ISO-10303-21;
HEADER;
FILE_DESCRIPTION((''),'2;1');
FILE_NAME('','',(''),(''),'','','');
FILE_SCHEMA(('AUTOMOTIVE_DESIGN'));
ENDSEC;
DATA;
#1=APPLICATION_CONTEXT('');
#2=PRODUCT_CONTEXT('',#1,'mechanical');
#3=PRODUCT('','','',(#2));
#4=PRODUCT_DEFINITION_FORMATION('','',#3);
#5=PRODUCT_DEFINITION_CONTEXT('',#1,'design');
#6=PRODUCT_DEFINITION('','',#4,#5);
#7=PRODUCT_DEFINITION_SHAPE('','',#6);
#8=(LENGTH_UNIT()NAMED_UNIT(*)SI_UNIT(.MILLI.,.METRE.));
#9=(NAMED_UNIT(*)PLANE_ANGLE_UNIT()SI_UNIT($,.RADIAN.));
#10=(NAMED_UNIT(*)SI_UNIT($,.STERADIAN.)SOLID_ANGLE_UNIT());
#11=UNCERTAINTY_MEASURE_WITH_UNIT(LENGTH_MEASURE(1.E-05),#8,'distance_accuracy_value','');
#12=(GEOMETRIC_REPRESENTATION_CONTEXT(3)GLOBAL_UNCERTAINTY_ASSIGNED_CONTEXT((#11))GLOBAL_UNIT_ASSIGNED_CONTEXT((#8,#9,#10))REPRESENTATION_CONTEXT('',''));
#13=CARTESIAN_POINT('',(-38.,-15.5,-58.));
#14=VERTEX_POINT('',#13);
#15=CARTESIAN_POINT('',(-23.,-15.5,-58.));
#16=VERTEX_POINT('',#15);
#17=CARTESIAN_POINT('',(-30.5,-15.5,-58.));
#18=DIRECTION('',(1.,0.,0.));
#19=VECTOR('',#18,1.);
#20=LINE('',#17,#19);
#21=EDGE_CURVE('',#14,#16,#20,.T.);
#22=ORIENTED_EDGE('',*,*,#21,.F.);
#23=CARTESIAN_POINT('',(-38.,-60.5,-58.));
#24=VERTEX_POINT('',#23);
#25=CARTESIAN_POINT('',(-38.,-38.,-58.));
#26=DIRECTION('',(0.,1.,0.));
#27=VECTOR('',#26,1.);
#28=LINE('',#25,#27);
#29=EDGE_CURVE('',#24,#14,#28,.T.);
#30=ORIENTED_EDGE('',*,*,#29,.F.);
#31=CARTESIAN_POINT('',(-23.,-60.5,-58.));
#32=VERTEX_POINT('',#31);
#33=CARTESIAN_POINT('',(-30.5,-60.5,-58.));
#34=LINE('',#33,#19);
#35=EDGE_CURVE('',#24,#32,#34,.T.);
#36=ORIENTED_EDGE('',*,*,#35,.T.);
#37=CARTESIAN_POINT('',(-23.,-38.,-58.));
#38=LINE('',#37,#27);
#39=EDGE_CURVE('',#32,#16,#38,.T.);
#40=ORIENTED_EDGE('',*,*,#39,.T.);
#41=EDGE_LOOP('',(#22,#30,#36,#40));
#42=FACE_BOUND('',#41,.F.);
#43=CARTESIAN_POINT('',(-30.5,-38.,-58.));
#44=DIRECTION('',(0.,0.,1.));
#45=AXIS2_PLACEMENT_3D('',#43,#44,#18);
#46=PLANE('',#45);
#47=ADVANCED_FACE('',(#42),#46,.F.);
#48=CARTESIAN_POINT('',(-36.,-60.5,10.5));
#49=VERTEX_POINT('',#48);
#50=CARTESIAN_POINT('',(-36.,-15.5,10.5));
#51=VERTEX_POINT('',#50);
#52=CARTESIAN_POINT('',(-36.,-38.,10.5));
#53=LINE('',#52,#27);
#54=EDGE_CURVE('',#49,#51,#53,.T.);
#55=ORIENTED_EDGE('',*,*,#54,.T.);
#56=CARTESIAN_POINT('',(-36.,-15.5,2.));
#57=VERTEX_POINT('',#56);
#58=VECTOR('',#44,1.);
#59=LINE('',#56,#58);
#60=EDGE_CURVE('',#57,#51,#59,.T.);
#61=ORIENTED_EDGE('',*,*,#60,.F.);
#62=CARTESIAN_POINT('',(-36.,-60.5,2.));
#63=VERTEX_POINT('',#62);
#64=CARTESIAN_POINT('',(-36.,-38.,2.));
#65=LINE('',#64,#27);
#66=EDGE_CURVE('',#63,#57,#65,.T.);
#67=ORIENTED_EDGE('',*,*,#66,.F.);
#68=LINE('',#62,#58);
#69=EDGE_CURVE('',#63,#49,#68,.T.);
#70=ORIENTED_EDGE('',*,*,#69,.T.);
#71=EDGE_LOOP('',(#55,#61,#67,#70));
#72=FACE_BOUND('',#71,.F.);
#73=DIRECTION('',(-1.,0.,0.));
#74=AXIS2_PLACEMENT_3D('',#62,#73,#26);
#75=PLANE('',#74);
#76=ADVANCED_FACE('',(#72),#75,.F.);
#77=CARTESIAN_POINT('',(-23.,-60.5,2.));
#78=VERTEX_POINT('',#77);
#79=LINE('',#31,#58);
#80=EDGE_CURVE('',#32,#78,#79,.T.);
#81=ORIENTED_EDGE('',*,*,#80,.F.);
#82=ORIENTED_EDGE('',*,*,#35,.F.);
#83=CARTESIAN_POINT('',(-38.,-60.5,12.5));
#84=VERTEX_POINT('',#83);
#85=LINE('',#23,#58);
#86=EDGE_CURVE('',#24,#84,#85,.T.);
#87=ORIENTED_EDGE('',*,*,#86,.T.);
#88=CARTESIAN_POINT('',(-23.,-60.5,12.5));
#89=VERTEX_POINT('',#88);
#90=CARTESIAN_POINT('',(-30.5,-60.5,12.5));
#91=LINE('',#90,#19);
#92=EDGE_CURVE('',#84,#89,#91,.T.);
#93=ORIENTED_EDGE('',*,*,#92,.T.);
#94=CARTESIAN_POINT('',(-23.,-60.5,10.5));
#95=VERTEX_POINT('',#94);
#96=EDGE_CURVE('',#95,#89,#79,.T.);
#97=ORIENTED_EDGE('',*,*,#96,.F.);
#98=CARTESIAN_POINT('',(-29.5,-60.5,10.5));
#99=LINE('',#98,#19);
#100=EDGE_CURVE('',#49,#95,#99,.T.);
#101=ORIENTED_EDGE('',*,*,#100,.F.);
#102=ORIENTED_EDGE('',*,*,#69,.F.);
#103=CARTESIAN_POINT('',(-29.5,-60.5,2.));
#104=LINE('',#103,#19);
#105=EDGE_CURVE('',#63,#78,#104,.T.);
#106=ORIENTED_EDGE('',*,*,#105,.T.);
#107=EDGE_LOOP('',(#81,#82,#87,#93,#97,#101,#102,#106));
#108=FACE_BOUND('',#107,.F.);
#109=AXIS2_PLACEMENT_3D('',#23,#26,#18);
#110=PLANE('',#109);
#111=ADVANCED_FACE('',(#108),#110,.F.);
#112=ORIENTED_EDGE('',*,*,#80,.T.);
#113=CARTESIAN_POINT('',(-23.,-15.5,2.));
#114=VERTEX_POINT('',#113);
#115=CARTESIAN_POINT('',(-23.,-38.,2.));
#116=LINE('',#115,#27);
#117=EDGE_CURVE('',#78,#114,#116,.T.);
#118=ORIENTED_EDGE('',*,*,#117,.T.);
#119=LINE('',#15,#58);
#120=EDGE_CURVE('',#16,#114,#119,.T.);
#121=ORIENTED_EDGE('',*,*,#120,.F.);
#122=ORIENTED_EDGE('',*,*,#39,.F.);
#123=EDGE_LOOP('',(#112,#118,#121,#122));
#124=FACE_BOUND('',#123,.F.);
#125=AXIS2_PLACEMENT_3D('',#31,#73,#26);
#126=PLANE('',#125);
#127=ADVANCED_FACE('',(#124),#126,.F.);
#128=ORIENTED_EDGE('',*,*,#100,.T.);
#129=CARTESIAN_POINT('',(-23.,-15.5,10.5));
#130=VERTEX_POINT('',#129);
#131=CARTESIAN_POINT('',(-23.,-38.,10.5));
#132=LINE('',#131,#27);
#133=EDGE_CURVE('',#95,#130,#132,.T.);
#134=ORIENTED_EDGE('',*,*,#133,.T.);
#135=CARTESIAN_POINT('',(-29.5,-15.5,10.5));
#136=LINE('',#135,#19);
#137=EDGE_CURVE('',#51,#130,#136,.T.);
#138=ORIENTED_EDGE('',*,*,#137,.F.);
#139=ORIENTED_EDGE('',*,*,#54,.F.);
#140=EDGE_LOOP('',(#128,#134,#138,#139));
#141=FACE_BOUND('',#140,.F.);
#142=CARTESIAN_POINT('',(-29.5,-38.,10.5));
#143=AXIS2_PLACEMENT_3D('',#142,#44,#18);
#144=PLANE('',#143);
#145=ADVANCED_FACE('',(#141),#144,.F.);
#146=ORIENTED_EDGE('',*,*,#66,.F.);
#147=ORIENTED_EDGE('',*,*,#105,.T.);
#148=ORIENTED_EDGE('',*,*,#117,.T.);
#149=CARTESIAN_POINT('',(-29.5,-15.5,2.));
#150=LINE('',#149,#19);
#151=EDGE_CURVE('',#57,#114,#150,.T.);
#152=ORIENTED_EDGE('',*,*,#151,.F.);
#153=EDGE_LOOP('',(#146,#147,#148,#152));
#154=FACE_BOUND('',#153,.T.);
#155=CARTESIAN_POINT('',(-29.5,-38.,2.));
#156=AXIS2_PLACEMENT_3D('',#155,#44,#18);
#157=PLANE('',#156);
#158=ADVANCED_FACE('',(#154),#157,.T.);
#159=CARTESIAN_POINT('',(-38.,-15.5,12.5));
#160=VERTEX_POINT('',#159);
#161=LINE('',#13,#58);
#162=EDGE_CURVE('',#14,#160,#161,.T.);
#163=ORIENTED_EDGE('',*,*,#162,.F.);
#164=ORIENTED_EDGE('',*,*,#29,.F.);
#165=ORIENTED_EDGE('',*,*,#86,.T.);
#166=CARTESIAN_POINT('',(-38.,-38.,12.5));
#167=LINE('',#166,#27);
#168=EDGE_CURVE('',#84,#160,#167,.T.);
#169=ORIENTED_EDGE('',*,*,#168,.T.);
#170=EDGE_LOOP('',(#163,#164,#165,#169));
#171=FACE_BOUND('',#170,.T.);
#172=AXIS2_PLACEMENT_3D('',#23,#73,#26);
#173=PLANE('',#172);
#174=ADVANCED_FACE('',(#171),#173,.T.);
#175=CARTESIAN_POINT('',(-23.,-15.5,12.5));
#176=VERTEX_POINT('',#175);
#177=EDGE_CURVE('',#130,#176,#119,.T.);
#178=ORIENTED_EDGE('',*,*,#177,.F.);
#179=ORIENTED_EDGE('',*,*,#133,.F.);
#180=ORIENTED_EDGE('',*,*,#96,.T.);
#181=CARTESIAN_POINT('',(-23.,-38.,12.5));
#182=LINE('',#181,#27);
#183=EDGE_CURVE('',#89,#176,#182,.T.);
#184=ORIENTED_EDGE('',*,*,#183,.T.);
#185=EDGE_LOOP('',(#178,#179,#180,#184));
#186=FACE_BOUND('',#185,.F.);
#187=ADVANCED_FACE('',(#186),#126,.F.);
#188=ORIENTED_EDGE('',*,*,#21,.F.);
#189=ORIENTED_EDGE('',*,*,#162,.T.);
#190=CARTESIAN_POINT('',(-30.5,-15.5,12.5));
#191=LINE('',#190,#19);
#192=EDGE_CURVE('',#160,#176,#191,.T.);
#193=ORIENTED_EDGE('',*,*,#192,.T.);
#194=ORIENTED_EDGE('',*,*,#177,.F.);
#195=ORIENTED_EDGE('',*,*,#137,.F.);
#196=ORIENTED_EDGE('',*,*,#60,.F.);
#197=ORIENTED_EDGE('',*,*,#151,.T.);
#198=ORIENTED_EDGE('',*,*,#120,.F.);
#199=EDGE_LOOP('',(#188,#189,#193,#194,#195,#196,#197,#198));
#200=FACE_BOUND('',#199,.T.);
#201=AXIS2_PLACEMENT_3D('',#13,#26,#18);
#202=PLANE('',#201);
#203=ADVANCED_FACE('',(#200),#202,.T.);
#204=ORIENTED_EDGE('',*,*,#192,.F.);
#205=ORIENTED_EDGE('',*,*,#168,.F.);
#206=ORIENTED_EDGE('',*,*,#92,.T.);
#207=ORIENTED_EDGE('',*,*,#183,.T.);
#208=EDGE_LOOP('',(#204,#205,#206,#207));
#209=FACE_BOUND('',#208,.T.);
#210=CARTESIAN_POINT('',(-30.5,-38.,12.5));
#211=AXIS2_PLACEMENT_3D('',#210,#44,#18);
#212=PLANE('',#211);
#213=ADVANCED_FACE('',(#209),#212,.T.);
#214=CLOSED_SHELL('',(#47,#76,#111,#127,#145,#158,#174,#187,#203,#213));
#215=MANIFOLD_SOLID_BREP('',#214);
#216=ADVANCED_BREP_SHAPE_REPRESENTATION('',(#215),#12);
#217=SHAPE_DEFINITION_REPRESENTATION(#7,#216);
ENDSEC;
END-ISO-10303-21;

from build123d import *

# Parameters (mm, degrees)
SKETCH028_W  = 13
SKETCH028_H  = 45
PAD026_DEPTH = 8.5
SKETCH030_W  = 15
SKETCH030_H  = 45
PAD028_DEPTH = 70.5


with BuildPart() as body029:
    # Sketch028 → Pad026 (new body)
    with BuildSketch(Plane.XY):
        with Locations((-28.5, -16.5)):
            Rectangle(SKETCH028_W, SKETCH028_H)
    extrude(amount=PAD026_DEPTH)


with BuildPart() as body029_1:
    # Body029 placement: moved
    add(body029.part.moved(Location((-1, -21.5, 2))))


with BuildPart() as cut030:
    # Sketch030 → Pad028 (new body)
    with BuildSketch(Plane.XY):
        with Locations((-27.5, -16.5)):
            Rectangle(SKETCH030_W, SKETCH030_H)
    extrude(amount=PAD028_DEPTH)


with BuildPart() as cut030_1:
    # Body031 placement: moved
    add(cut030.part.moved(Location((-3, -21.5, -58))))

    # Cut030: cut Body029
    add(body029_1.part, mode=Mode.SUBTRACT)


solid = cut030_1.part
